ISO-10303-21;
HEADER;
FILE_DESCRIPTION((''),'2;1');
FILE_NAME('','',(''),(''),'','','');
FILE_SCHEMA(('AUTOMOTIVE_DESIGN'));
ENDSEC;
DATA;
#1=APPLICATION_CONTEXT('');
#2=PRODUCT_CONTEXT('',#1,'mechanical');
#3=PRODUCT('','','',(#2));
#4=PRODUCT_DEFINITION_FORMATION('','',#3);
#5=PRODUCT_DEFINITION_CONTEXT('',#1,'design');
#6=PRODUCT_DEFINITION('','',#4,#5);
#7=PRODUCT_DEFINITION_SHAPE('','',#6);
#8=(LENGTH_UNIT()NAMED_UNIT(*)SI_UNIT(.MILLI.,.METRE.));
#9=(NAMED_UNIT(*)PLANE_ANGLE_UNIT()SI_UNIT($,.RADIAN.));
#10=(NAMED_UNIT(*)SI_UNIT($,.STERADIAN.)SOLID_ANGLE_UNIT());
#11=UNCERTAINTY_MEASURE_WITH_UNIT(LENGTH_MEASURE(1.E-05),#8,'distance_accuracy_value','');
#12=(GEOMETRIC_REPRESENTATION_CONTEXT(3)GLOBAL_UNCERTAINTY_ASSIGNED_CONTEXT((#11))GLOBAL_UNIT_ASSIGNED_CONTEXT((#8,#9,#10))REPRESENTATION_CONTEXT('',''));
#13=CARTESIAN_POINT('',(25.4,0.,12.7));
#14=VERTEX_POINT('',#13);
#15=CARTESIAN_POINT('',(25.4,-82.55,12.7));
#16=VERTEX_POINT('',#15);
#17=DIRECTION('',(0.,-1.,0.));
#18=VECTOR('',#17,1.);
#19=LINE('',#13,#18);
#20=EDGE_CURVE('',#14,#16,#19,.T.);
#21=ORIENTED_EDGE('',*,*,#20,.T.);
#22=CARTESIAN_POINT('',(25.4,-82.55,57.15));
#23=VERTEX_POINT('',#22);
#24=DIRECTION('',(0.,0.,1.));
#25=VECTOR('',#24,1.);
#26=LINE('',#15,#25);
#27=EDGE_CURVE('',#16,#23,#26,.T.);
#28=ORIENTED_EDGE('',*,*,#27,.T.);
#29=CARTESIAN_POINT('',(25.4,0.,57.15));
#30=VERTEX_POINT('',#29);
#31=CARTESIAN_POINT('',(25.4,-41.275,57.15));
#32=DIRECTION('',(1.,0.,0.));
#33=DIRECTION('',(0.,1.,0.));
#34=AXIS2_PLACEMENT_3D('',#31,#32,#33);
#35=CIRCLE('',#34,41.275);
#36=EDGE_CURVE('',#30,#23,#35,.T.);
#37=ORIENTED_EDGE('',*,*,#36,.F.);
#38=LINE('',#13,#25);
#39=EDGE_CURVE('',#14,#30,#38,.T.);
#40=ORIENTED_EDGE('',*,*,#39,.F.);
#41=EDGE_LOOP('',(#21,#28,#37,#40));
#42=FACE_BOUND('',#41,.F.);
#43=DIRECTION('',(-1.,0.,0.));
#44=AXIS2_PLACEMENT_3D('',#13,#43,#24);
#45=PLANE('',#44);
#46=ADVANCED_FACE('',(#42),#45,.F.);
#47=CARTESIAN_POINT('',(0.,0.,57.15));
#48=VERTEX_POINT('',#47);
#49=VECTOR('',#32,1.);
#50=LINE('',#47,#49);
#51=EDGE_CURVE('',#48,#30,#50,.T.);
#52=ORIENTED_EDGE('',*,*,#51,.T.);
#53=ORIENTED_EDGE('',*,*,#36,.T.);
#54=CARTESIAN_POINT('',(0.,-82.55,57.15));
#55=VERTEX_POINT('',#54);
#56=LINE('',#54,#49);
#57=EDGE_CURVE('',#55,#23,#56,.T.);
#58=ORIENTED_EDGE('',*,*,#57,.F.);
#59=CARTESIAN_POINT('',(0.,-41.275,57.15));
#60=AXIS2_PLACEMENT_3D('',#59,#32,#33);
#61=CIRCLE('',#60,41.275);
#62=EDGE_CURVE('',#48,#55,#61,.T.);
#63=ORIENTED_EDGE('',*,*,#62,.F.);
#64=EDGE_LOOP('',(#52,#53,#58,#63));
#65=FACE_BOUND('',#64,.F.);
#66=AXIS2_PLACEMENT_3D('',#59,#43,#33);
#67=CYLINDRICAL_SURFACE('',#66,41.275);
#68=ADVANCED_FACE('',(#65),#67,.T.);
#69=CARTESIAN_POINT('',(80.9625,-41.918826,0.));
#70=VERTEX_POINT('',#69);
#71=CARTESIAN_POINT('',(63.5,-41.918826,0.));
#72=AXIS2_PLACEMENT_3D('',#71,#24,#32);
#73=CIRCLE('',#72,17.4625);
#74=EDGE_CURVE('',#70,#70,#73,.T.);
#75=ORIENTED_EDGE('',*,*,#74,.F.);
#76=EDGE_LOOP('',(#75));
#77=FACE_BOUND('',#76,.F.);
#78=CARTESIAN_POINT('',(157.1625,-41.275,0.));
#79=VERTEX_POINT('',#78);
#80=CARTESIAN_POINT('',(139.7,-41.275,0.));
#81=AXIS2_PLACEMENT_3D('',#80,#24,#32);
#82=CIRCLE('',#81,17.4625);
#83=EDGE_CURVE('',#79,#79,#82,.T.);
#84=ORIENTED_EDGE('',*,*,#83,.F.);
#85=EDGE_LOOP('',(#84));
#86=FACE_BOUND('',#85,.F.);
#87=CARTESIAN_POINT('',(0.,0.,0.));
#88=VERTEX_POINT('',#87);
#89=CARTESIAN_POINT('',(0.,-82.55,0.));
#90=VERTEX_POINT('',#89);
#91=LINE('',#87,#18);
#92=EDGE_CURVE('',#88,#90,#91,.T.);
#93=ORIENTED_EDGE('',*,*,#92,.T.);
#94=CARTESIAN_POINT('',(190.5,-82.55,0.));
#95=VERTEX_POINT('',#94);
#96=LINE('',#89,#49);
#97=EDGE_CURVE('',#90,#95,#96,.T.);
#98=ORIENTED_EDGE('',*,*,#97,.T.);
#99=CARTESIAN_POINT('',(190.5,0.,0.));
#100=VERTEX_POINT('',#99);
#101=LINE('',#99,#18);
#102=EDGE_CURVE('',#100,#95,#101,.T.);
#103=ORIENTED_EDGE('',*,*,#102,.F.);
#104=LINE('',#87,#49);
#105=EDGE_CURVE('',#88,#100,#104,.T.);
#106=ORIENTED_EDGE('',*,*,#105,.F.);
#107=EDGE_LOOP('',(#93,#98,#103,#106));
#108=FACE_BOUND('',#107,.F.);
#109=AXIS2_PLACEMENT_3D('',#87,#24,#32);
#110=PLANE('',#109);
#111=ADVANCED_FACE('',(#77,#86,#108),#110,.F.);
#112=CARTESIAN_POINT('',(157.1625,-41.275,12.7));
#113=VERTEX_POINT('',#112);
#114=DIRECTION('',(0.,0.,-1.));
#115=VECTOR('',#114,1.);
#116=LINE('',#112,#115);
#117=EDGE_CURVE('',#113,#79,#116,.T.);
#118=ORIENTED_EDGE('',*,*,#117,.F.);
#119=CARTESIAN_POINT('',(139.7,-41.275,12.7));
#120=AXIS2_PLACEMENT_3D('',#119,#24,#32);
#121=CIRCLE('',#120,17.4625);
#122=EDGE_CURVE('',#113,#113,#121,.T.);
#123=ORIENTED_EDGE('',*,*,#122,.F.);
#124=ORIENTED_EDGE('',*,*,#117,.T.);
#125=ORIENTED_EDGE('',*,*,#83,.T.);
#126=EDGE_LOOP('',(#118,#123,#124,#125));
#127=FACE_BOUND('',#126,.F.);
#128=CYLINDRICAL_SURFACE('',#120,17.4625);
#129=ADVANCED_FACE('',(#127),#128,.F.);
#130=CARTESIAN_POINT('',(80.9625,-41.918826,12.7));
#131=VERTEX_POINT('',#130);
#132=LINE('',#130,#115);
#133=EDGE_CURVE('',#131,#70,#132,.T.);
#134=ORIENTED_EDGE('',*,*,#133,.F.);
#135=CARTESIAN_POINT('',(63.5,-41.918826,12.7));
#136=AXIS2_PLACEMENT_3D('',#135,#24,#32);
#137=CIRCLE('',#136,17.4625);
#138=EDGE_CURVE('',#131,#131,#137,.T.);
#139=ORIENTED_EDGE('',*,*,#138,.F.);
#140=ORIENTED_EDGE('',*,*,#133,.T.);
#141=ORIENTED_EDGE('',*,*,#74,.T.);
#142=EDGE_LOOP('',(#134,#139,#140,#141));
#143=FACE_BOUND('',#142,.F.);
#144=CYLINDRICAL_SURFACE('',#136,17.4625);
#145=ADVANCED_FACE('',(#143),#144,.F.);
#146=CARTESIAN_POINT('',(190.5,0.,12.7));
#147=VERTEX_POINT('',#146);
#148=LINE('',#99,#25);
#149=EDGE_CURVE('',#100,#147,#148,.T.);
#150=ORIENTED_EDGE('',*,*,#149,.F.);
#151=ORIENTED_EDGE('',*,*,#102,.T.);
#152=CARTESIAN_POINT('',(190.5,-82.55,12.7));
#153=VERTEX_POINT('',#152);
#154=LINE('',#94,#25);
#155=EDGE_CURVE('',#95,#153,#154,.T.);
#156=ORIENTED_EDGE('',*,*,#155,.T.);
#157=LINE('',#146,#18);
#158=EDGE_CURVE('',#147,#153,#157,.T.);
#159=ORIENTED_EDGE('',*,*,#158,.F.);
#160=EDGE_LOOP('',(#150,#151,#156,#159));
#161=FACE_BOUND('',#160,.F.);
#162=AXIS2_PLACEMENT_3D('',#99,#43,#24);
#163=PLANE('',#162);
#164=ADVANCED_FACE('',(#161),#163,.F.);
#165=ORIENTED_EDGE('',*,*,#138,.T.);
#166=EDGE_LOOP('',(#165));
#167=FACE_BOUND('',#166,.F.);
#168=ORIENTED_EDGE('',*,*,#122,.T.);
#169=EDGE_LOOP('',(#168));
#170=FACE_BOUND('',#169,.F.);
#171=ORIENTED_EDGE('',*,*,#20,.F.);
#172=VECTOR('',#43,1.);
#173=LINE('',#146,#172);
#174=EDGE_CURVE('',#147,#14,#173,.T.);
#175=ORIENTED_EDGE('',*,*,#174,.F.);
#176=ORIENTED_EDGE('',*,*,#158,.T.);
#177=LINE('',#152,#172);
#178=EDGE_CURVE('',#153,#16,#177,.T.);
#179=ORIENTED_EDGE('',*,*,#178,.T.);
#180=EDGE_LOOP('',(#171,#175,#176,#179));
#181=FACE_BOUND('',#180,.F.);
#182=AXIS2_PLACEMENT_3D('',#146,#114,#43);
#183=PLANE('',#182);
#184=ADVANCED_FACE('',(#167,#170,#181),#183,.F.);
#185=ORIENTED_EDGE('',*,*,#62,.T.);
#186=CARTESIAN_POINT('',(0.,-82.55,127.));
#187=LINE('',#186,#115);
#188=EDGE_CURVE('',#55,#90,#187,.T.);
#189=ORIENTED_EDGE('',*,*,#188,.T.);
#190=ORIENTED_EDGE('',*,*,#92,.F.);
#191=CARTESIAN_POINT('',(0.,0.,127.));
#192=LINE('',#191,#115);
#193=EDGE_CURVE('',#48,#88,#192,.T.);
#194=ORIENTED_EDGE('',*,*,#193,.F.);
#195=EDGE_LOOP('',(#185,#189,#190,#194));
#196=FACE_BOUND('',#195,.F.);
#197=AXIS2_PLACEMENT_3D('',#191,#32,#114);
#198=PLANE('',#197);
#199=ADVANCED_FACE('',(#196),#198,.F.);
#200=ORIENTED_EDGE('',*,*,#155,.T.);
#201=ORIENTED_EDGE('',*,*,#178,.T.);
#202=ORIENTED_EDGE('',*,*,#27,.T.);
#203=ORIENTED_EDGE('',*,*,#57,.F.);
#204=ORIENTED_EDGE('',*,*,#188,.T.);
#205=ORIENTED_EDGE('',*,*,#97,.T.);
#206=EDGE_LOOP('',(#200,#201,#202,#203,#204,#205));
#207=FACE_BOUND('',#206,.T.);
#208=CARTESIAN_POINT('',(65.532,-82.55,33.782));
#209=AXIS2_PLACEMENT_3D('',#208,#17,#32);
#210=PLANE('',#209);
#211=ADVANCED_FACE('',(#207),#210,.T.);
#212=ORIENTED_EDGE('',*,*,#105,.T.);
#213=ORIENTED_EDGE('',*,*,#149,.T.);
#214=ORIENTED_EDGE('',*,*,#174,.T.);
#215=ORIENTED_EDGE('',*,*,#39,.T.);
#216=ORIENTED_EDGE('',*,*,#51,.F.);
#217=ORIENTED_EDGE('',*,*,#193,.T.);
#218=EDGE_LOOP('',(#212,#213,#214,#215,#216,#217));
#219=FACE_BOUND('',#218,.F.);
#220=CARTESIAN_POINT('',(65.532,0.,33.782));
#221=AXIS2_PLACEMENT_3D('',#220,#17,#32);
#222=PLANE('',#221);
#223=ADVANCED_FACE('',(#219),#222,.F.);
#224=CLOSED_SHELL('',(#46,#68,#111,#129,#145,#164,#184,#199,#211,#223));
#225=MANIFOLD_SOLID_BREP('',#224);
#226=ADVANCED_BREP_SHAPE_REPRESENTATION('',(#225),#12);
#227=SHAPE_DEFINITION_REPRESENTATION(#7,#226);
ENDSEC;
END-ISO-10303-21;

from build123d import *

# Parameters (mm, degrees)
F1_DEPTH = 82.55
F3_DEPTH = 25.4
F4_R     = 17.4625
F5_DEPTH = 12.7


with BuildPart() as f1:
    # F0 (on Front) → F1 (new body)
    with BuildSketch(Plane.XZ):
        Polygon((0, 127), (0, 0), (190.5, 0), (190.5, 12.7), (25.4, 12.7), (25.4, 127), align=None)
    extrude(amount=F1_DEPTH)

    # F2 (on face) → F3 (cut)
    with BuildSketch(Plane(origin=(0, 0, 0), x_dir=(0, -1, 0), z_dir=(-1, 0, 0))):
        with BuildLine():
            Line((0, 127), (0, 57.15))
            ThreePointArc((0, 57.15), (41.275, 98.425), (82.55, 57.15))
            Line((82.55, 57.15), (82.55, 127))
            Line((82.55, 127), (0, 127))
        make_face()
    extrude(amount=-F3_DEPTH, mode=Mode.SUBTRACT)

    # F4 (on face) → F5 (cut)
    with BuildSketch(Plane.XY.offset(12.7)):
        with Locations((63.5, -41.918826)):
            Circle(F4_R)
        with Locations((139.7, -41.275)):
            Circle(F4_R)
    extrude(amount=-F5_DEPTH, mode=Mode.SUBTRACT)


solid = f1.part
